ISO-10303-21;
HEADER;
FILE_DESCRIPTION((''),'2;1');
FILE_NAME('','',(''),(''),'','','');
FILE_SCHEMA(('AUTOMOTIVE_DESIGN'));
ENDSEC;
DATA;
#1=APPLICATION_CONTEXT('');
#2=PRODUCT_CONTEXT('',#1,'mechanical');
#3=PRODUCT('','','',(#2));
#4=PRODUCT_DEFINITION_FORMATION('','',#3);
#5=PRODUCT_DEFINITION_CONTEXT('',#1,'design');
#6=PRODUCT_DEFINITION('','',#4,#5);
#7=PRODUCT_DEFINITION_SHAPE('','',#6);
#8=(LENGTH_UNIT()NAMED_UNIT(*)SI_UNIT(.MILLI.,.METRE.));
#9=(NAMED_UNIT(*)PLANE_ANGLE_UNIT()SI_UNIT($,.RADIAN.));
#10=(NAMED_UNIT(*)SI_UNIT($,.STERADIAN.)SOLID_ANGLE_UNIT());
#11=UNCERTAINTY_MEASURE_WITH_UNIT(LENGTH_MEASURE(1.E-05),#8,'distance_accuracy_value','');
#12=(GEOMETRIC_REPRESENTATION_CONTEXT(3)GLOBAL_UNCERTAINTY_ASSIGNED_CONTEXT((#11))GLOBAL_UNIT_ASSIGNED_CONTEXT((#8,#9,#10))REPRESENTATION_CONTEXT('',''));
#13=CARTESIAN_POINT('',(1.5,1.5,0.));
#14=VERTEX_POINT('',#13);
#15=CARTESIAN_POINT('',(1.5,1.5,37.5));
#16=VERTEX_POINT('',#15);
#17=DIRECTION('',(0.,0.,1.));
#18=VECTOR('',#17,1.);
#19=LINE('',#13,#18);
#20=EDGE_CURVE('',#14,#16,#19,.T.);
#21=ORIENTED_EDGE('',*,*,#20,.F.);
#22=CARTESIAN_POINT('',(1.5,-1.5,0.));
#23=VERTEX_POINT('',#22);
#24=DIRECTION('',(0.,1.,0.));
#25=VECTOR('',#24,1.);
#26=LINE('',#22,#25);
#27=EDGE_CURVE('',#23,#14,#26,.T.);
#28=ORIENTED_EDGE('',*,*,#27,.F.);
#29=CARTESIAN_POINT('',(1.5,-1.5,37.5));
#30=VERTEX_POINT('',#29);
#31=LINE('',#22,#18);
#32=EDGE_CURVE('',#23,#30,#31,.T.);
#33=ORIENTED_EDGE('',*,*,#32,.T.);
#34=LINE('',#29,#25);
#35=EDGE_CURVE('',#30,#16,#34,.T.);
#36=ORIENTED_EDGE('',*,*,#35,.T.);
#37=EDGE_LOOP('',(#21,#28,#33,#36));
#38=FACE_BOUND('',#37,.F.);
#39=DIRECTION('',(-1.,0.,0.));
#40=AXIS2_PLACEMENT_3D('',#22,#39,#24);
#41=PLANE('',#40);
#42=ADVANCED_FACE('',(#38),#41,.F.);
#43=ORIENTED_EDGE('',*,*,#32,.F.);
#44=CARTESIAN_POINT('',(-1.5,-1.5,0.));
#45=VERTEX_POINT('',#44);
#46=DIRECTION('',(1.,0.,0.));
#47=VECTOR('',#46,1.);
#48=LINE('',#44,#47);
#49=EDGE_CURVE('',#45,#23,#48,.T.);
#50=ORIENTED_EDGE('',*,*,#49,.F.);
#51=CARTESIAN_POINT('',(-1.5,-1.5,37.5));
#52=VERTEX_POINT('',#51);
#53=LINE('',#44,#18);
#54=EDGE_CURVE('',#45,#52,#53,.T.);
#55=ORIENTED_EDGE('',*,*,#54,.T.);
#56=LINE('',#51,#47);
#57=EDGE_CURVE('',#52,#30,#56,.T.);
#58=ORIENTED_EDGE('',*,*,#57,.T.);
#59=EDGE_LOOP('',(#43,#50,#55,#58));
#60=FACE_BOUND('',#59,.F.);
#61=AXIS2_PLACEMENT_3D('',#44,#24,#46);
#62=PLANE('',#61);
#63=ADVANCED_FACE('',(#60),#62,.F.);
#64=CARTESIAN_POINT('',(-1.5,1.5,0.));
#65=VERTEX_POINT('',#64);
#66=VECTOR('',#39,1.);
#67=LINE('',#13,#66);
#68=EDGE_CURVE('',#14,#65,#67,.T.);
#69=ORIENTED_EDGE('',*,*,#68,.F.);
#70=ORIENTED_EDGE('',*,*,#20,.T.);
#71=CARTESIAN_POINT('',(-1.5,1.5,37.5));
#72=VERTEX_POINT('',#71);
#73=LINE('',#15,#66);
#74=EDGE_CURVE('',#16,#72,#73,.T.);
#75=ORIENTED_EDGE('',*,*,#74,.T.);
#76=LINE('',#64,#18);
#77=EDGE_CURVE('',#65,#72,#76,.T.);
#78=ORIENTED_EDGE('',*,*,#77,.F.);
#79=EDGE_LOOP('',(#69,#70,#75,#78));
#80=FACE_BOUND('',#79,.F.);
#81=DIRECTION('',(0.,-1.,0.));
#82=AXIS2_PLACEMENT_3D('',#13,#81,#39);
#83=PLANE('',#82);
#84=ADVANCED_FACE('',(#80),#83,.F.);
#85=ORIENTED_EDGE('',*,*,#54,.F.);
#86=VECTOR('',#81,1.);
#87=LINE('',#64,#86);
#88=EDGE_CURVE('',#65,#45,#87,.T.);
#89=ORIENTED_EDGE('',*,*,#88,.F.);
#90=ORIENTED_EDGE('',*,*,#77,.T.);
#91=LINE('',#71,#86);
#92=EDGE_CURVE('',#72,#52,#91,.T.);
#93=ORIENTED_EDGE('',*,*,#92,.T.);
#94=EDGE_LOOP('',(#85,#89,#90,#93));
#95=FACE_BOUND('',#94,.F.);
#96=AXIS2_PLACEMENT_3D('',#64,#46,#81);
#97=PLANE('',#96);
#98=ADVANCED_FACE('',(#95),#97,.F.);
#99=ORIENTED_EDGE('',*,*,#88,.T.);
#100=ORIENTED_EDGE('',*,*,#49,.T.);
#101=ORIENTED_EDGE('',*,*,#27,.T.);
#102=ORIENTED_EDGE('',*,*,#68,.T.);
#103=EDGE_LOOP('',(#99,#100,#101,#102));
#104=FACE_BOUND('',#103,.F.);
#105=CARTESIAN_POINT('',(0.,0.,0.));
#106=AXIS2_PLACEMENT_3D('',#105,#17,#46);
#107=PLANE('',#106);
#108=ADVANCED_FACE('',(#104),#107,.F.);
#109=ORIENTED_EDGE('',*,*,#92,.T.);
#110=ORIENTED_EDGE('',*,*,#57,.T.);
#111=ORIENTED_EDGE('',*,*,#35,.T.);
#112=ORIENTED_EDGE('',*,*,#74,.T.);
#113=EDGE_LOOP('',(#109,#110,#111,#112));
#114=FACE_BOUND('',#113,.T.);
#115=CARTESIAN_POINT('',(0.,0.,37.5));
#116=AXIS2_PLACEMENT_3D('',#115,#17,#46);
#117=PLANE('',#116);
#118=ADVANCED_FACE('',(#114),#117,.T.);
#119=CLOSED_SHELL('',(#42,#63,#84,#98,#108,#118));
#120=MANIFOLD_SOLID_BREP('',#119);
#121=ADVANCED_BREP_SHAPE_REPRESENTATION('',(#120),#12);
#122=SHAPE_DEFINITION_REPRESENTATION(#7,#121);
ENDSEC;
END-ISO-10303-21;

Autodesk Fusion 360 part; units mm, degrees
sketch "스케치1" plane through (0, 0, 0) normal (0, 0, 1) x (1, 0, 0)
  line L0 (1.5, 1.5) -> (-1.5, 1.5)
  line L1 (-1.5, 1.5) -> (-1.5, -1.5)
  line L2 (-1.5, -1.5) -> (1.5, -1.5)
  line L3 (1.5, -1.5) -> (1.5, 1.5)
  line L4 (1.5, 1.5) -> (-1.5, -1.5) construction
  line L5 (-1.5, 1.5) -> (1.5, -1.5) construction
  dimension "d1" = 3
  dimension "d2" = 3
extrude "돌출1" add sketch "스케치1" along normal blind 37.5
